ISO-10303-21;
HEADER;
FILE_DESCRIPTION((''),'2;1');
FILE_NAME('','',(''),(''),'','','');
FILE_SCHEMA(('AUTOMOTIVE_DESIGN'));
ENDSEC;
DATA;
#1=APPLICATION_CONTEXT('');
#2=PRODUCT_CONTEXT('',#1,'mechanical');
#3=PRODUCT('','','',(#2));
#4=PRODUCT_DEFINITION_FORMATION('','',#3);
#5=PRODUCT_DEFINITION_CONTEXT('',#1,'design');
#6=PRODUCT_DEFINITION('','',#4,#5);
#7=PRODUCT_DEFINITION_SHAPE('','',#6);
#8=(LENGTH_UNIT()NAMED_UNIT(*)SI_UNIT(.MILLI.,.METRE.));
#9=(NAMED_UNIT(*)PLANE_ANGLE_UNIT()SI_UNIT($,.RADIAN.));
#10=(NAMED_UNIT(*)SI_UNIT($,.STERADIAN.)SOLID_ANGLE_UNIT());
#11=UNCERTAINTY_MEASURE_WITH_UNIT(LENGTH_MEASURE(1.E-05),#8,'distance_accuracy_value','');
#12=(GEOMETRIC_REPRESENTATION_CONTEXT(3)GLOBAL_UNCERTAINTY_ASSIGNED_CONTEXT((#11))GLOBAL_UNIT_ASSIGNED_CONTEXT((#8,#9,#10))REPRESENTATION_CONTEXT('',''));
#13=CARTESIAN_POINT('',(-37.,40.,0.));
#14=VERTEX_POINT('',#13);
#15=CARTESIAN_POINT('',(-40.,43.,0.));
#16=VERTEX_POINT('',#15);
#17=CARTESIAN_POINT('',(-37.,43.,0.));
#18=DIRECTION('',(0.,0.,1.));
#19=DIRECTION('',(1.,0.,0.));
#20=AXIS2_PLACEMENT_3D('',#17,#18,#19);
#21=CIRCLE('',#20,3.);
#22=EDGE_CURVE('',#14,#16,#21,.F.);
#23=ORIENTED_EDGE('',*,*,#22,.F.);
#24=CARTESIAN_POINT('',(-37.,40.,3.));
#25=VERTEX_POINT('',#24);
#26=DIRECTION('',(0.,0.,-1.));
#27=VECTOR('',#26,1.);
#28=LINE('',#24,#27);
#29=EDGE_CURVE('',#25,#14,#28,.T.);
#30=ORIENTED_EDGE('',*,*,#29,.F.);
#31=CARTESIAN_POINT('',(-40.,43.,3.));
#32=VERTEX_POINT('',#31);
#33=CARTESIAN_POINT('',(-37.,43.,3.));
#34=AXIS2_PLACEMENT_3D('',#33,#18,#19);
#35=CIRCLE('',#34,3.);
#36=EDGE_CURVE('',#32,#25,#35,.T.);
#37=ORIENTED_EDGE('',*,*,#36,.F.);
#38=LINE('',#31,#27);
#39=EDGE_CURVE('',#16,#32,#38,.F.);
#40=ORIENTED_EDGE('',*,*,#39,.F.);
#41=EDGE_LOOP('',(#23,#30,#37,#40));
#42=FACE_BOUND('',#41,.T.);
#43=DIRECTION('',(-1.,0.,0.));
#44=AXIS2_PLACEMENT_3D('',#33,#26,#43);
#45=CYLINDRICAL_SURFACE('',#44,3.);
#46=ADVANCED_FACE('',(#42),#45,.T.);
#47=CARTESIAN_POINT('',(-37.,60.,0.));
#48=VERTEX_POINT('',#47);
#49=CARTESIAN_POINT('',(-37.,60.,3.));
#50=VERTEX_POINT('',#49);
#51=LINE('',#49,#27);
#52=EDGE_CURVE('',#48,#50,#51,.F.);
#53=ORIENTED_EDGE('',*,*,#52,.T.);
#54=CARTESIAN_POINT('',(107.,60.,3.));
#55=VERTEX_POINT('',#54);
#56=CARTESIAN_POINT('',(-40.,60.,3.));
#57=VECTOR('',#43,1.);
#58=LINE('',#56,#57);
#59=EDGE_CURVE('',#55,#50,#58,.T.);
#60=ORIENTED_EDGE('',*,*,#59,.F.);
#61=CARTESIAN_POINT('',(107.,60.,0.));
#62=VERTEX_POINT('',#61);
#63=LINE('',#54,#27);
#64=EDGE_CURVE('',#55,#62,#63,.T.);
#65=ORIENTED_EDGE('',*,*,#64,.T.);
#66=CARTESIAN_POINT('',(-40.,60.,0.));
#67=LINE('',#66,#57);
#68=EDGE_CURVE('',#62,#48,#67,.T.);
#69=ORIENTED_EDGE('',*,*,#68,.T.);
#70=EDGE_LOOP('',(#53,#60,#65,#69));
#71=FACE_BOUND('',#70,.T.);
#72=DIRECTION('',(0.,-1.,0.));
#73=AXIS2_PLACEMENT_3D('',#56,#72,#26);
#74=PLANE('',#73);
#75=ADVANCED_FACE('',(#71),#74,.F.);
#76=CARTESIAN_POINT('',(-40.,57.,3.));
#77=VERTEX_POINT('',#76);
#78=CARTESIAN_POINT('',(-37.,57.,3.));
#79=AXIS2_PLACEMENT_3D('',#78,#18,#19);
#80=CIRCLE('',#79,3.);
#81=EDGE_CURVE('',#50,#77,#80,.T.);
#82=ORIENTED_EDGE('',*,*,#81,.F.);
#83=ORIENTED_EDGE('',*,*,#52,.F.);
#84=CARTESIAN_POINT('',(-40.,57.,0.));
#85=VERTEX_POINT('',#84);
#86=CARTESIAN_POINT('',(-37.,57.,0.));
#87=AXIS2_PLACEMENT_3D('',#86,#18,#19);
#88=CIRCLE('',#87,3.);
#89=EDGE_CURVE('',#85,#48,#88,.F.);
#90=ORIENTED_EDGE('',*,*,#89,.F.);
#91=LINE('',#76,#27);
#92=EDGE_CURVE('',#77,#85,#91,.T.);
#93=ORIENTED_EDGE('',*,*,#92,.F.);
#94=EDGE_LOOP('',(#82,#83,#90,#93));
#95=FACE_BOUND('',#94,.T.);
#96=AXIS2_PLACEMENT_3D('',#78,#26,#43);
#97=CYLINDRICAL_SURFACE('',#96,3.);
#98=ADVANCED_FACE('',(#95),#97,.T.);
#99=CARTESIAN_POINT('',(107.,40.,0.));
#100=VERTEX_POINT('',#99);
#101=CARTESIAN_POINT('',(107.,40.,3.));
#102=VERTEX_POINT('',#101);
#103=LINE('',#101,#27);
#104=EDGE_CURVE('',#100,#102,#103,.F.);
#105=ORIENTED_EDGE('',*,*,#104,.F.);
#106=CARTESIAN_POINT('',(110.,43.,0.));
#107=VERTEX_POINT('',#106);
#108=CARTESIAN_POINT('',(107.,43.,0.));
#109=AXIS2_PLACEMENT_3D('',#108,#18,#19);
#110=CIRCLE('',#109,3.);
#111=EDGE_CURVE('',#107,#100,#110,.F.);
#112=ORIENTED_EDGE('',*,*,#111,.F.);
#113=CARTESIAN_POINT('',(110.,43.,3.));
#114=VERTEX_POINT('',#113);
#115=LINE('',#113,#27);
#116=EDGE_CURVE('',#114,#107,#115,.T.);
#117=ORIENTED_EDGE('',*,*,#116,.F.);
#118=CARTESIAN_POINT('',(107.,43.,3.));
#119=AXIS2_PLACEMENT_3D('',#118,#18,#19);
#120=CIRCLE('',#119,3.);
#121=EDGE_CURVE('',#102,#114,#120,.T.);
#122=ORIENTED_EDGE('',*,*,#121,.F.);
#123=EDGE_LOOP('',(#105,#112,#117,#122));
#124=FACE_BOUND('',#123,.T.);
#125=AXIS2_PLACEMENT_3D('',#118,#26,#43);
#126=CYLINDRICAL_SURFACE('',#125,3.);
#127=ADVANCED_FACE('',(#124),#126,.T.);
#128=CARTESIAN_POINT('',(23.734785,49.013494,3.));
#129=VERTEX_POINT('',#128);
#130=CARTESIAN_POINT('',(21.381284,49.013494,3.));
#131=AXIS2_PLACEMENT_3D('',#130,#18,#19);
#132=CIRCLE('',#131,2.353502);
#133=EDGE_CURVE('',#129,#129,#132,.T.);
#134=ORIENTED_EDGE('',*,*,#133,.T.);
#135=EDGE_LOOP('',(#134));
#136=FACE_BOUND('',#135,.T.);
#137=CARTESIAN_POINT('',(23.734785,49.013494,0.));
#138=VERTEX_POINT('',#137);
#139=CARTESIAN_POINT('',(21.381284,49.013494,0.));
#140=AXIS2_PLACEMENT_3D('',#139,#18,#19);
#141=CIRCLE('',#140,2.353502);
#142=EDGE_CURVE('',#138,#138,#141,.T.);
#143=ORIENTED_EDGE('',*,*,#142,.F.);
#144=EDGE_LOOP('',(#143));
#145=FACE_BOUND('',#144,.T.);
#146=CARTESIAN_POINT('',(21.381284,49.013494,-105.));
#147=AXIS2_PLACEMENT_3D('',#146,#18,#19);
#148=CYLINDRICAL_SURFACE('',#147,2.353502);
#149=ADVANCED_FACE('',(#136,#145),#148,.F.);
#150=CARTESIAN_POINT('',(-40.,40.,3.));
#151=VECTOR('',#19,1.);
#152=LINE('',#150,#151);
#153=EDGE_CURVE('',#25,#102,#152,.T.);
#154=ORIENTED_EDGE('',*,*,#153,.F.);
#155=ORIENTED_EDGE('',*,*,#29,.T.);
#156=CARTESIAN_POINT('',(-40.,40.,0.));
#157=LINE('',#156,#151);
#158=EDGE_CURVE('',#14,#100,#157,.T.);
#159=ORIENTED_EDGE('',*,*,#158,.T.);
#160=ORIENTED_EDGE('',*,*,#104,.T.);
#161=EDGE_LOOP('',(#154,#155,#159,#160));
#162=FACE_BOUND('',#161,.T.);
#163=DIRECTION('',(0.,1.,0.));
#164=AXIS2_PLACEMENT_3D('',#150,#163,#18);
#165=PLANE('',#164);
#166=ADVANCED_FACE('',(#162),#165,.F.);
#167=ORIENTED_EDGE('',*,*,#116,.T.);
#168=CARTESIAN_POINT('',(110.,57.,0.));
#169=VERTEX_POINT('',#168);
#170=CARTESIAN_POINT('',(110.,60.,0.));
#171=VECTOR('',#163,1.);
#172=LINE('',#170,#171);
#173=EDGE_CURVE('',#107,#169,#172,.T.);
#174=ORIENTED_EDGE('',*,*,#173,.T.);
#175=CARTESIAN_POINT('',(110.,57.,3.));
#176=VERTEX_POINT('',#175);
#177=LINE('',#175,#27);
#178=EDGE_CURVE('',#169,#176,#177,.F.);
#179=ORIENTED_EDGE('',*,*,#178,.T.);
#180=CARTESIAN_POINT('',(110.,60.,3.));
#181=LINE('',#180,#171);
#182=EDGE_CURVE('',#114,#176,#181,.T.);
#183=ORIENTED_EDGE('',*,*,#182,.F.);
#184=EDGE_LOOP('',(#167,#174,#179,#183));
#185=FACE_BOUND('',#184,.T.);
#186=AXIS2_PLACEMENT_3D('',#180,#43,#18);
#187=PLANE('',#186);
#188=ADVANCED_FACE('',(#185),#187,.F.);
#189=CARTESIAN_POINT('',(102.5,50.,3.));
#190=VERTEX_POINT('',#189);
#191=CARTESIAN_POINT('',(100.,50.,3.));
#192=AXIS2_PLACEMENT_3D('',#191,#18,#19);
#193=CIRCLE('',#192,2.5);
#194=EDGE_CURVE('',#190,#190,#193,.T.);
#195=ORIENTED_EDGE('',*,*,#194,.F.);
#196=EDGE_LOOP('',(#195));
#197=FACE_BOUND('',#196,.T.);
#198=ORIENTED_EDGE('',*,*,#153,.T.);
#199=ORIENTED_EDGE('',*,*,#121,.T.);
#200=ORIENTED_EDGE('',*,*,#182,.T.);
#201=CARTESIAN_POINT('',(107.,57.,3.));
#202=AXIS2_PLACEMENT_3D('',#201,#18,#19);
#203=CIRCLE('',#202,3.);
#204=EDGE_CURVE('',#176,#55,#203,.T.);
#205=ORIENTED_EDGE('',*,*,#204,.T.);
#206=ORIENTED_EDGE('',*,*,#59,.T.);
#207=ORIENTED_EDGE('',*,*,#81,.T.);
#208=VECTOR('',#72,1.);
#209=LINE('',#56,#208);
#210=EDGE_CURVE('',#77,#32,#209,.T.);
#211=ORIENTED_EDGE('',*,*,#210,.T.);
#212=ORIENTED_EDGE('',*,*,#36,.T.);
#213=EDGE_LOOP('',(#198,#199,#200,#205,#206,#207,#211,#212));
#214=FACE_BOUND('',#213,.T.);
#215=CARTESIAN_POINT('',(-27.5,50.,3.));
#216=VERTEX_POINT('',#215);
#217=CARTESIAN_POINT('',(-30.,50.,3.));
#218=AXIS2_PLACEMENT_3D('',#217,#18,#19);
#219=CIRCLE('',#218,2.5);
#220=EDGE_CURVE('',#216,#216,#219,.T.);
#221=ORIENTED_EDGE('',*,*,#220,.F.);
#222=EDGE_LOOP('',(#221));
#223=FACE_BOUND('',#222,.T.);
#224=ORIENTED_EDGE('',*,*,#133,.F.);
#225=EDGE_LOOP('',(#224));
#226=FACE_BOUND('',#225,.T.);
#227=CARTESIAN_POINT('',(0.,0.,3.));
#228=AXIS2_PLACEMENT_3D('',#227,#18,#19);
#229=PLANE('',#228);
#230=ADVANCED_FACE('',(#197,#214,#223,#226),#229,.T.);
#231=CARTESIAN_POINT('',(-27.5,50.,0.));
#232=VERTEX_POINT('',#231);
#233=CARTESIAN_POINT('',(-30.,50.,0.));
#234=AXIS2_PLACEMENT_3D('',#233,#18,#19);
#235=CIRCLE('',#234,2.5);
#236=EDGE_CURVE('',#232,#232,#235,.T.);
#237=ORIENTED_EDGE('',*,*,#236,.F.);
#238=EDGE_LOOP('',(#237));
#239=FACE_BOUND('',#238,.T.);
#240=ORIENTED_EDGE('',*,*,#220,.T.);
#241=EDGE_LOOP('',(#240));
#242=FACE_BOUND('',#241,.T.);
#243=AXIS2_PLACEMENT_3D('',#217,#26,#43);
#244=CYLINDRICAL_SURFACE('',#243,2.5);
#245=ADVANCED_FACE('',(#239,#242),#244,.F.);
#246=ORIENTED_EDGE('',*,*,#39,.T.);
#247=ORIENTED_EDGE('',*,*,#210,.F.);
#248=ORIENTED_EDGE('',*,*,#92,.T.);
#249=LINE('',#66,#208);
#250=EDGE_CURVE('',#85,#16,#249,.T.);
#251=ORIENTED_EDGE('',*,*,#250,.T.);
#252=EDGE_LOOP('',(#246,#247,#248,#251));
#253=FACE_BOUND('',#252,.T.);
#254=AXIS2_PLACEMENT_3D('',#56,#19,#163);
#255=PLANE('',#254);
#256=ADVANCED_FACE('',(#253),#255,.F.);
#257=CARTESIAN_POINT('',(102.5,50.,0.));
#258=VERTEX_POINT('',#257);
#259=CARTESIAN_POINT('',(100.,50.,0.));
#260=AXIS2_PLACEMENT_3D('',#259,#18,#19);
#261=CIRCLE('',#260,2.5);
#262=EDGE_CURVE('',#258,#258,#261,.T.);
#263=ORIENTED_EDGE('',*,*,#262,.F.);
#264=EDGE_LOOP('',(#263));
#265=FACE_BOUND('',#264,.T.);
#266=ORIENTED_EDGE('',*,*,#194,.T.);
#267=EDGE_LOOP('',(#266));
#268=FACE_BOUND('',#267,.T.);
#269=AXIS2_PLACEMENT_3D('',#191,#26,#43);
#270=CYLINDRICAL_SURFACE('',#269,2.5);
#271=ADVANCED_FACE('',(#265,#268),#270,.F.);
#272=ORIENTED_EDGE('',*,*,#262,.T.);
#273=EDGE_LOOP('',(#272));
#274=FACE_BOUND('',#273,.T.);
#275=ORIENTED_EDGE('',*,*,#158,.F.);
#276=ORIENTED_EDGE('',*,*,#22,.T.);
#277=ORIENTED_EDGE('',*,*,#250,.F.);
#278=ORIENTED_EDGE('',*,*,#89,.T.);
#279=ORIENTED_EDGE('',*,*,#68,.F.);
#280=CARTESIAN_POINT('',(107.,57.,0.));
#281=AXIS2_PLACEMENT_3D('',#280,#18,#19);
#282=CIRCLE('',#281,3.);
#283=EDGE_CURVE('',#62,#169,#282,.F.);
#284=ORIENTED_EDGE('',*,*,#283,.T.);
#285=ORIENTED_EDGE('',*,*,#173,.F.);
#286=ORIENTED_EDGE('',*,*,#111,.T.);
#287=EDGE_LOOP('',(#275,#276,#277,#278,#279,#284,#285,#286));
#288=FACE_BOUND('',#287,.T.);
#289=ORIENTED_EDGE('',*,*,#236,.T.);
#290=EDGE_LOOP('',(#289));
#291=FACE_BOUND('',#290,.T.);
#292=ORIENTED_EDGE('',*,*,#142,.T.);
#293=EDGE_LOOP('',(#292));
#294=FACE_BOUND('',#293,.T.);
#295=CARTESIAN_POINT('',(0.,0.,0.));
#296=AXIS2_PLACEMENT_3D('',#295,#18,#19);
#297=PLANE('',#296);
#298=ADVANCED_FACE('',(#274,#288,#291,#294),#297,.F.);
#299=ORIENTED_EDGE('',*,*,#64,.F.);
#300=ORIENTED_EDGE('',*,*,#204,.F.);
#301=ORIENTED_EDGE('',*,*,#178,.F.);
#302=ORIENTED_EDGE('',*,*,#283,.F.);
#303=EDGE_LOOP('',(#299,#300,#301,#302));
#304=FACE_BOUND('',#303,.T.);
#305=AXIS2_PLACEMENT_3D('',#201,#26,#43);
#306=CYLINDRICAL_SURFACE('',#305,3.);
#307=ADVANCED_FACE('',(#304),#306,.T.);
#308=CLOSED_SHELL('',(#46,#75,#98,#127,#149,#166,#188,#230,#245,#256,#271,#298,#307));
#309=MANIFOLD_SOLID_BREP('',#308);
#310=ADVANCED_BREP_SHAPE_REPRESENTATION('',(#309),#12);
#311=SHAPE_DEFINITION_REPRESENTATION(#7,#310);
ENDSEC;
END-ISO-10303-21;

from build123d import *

# Parameters (mm, degrees)
SKETCH1_W           = 150
SKETCH1_H           = 20
SKETCH1_R           = 2.5
BOSS_EXTRUDE1_DEPTH = 3
FILLET1_R           = 3
SKETCH2_R           = 2.353501923
CUT_EXTRUDE1_DEPTH  = 108


with BuildPart() as part:
    # Sketch1 → Boss-Extrude1 (new body)
    with BuildSketch(Plane.XY):
        with Locations((35, 50)):
            Rectangle(SKETCH1_W, SKETCH1_H)
        with Locations((-30, 50)):
            Circle(SKETCH1_R, mode=Mode.SUBTRACT)
        with Locations((100, 50)):
            Circle(SKETCH1_R, mode=Mode.SUBTRACT)
    extrude(amount=BOSS_EXTRUDE1_DEPTH)

    # Fillet1
    fillet1_edges = [part.edges().sort_by_distance(p)[0] for p in [
        (110, 40, 1.5),
        (-40, 40, 1.5),
        (-40, 60, 1.5),
        (110, 60, 1.5),
    ]]
    fillet(fillet1_edges, radius=FILLET1_R)

    # Sketch2 → Cut-Extrude1 (cut)
    with BuildSketch(Plane.XY.offset(3)):
        with Locations((21.381283536, 49.013493537)):
            Circle(SKETCH2_R)
    extrude(amount=-CUT_EXTRUDE1_DEPTH, mode=Mode.SUBTRACT)


solid = part.part
